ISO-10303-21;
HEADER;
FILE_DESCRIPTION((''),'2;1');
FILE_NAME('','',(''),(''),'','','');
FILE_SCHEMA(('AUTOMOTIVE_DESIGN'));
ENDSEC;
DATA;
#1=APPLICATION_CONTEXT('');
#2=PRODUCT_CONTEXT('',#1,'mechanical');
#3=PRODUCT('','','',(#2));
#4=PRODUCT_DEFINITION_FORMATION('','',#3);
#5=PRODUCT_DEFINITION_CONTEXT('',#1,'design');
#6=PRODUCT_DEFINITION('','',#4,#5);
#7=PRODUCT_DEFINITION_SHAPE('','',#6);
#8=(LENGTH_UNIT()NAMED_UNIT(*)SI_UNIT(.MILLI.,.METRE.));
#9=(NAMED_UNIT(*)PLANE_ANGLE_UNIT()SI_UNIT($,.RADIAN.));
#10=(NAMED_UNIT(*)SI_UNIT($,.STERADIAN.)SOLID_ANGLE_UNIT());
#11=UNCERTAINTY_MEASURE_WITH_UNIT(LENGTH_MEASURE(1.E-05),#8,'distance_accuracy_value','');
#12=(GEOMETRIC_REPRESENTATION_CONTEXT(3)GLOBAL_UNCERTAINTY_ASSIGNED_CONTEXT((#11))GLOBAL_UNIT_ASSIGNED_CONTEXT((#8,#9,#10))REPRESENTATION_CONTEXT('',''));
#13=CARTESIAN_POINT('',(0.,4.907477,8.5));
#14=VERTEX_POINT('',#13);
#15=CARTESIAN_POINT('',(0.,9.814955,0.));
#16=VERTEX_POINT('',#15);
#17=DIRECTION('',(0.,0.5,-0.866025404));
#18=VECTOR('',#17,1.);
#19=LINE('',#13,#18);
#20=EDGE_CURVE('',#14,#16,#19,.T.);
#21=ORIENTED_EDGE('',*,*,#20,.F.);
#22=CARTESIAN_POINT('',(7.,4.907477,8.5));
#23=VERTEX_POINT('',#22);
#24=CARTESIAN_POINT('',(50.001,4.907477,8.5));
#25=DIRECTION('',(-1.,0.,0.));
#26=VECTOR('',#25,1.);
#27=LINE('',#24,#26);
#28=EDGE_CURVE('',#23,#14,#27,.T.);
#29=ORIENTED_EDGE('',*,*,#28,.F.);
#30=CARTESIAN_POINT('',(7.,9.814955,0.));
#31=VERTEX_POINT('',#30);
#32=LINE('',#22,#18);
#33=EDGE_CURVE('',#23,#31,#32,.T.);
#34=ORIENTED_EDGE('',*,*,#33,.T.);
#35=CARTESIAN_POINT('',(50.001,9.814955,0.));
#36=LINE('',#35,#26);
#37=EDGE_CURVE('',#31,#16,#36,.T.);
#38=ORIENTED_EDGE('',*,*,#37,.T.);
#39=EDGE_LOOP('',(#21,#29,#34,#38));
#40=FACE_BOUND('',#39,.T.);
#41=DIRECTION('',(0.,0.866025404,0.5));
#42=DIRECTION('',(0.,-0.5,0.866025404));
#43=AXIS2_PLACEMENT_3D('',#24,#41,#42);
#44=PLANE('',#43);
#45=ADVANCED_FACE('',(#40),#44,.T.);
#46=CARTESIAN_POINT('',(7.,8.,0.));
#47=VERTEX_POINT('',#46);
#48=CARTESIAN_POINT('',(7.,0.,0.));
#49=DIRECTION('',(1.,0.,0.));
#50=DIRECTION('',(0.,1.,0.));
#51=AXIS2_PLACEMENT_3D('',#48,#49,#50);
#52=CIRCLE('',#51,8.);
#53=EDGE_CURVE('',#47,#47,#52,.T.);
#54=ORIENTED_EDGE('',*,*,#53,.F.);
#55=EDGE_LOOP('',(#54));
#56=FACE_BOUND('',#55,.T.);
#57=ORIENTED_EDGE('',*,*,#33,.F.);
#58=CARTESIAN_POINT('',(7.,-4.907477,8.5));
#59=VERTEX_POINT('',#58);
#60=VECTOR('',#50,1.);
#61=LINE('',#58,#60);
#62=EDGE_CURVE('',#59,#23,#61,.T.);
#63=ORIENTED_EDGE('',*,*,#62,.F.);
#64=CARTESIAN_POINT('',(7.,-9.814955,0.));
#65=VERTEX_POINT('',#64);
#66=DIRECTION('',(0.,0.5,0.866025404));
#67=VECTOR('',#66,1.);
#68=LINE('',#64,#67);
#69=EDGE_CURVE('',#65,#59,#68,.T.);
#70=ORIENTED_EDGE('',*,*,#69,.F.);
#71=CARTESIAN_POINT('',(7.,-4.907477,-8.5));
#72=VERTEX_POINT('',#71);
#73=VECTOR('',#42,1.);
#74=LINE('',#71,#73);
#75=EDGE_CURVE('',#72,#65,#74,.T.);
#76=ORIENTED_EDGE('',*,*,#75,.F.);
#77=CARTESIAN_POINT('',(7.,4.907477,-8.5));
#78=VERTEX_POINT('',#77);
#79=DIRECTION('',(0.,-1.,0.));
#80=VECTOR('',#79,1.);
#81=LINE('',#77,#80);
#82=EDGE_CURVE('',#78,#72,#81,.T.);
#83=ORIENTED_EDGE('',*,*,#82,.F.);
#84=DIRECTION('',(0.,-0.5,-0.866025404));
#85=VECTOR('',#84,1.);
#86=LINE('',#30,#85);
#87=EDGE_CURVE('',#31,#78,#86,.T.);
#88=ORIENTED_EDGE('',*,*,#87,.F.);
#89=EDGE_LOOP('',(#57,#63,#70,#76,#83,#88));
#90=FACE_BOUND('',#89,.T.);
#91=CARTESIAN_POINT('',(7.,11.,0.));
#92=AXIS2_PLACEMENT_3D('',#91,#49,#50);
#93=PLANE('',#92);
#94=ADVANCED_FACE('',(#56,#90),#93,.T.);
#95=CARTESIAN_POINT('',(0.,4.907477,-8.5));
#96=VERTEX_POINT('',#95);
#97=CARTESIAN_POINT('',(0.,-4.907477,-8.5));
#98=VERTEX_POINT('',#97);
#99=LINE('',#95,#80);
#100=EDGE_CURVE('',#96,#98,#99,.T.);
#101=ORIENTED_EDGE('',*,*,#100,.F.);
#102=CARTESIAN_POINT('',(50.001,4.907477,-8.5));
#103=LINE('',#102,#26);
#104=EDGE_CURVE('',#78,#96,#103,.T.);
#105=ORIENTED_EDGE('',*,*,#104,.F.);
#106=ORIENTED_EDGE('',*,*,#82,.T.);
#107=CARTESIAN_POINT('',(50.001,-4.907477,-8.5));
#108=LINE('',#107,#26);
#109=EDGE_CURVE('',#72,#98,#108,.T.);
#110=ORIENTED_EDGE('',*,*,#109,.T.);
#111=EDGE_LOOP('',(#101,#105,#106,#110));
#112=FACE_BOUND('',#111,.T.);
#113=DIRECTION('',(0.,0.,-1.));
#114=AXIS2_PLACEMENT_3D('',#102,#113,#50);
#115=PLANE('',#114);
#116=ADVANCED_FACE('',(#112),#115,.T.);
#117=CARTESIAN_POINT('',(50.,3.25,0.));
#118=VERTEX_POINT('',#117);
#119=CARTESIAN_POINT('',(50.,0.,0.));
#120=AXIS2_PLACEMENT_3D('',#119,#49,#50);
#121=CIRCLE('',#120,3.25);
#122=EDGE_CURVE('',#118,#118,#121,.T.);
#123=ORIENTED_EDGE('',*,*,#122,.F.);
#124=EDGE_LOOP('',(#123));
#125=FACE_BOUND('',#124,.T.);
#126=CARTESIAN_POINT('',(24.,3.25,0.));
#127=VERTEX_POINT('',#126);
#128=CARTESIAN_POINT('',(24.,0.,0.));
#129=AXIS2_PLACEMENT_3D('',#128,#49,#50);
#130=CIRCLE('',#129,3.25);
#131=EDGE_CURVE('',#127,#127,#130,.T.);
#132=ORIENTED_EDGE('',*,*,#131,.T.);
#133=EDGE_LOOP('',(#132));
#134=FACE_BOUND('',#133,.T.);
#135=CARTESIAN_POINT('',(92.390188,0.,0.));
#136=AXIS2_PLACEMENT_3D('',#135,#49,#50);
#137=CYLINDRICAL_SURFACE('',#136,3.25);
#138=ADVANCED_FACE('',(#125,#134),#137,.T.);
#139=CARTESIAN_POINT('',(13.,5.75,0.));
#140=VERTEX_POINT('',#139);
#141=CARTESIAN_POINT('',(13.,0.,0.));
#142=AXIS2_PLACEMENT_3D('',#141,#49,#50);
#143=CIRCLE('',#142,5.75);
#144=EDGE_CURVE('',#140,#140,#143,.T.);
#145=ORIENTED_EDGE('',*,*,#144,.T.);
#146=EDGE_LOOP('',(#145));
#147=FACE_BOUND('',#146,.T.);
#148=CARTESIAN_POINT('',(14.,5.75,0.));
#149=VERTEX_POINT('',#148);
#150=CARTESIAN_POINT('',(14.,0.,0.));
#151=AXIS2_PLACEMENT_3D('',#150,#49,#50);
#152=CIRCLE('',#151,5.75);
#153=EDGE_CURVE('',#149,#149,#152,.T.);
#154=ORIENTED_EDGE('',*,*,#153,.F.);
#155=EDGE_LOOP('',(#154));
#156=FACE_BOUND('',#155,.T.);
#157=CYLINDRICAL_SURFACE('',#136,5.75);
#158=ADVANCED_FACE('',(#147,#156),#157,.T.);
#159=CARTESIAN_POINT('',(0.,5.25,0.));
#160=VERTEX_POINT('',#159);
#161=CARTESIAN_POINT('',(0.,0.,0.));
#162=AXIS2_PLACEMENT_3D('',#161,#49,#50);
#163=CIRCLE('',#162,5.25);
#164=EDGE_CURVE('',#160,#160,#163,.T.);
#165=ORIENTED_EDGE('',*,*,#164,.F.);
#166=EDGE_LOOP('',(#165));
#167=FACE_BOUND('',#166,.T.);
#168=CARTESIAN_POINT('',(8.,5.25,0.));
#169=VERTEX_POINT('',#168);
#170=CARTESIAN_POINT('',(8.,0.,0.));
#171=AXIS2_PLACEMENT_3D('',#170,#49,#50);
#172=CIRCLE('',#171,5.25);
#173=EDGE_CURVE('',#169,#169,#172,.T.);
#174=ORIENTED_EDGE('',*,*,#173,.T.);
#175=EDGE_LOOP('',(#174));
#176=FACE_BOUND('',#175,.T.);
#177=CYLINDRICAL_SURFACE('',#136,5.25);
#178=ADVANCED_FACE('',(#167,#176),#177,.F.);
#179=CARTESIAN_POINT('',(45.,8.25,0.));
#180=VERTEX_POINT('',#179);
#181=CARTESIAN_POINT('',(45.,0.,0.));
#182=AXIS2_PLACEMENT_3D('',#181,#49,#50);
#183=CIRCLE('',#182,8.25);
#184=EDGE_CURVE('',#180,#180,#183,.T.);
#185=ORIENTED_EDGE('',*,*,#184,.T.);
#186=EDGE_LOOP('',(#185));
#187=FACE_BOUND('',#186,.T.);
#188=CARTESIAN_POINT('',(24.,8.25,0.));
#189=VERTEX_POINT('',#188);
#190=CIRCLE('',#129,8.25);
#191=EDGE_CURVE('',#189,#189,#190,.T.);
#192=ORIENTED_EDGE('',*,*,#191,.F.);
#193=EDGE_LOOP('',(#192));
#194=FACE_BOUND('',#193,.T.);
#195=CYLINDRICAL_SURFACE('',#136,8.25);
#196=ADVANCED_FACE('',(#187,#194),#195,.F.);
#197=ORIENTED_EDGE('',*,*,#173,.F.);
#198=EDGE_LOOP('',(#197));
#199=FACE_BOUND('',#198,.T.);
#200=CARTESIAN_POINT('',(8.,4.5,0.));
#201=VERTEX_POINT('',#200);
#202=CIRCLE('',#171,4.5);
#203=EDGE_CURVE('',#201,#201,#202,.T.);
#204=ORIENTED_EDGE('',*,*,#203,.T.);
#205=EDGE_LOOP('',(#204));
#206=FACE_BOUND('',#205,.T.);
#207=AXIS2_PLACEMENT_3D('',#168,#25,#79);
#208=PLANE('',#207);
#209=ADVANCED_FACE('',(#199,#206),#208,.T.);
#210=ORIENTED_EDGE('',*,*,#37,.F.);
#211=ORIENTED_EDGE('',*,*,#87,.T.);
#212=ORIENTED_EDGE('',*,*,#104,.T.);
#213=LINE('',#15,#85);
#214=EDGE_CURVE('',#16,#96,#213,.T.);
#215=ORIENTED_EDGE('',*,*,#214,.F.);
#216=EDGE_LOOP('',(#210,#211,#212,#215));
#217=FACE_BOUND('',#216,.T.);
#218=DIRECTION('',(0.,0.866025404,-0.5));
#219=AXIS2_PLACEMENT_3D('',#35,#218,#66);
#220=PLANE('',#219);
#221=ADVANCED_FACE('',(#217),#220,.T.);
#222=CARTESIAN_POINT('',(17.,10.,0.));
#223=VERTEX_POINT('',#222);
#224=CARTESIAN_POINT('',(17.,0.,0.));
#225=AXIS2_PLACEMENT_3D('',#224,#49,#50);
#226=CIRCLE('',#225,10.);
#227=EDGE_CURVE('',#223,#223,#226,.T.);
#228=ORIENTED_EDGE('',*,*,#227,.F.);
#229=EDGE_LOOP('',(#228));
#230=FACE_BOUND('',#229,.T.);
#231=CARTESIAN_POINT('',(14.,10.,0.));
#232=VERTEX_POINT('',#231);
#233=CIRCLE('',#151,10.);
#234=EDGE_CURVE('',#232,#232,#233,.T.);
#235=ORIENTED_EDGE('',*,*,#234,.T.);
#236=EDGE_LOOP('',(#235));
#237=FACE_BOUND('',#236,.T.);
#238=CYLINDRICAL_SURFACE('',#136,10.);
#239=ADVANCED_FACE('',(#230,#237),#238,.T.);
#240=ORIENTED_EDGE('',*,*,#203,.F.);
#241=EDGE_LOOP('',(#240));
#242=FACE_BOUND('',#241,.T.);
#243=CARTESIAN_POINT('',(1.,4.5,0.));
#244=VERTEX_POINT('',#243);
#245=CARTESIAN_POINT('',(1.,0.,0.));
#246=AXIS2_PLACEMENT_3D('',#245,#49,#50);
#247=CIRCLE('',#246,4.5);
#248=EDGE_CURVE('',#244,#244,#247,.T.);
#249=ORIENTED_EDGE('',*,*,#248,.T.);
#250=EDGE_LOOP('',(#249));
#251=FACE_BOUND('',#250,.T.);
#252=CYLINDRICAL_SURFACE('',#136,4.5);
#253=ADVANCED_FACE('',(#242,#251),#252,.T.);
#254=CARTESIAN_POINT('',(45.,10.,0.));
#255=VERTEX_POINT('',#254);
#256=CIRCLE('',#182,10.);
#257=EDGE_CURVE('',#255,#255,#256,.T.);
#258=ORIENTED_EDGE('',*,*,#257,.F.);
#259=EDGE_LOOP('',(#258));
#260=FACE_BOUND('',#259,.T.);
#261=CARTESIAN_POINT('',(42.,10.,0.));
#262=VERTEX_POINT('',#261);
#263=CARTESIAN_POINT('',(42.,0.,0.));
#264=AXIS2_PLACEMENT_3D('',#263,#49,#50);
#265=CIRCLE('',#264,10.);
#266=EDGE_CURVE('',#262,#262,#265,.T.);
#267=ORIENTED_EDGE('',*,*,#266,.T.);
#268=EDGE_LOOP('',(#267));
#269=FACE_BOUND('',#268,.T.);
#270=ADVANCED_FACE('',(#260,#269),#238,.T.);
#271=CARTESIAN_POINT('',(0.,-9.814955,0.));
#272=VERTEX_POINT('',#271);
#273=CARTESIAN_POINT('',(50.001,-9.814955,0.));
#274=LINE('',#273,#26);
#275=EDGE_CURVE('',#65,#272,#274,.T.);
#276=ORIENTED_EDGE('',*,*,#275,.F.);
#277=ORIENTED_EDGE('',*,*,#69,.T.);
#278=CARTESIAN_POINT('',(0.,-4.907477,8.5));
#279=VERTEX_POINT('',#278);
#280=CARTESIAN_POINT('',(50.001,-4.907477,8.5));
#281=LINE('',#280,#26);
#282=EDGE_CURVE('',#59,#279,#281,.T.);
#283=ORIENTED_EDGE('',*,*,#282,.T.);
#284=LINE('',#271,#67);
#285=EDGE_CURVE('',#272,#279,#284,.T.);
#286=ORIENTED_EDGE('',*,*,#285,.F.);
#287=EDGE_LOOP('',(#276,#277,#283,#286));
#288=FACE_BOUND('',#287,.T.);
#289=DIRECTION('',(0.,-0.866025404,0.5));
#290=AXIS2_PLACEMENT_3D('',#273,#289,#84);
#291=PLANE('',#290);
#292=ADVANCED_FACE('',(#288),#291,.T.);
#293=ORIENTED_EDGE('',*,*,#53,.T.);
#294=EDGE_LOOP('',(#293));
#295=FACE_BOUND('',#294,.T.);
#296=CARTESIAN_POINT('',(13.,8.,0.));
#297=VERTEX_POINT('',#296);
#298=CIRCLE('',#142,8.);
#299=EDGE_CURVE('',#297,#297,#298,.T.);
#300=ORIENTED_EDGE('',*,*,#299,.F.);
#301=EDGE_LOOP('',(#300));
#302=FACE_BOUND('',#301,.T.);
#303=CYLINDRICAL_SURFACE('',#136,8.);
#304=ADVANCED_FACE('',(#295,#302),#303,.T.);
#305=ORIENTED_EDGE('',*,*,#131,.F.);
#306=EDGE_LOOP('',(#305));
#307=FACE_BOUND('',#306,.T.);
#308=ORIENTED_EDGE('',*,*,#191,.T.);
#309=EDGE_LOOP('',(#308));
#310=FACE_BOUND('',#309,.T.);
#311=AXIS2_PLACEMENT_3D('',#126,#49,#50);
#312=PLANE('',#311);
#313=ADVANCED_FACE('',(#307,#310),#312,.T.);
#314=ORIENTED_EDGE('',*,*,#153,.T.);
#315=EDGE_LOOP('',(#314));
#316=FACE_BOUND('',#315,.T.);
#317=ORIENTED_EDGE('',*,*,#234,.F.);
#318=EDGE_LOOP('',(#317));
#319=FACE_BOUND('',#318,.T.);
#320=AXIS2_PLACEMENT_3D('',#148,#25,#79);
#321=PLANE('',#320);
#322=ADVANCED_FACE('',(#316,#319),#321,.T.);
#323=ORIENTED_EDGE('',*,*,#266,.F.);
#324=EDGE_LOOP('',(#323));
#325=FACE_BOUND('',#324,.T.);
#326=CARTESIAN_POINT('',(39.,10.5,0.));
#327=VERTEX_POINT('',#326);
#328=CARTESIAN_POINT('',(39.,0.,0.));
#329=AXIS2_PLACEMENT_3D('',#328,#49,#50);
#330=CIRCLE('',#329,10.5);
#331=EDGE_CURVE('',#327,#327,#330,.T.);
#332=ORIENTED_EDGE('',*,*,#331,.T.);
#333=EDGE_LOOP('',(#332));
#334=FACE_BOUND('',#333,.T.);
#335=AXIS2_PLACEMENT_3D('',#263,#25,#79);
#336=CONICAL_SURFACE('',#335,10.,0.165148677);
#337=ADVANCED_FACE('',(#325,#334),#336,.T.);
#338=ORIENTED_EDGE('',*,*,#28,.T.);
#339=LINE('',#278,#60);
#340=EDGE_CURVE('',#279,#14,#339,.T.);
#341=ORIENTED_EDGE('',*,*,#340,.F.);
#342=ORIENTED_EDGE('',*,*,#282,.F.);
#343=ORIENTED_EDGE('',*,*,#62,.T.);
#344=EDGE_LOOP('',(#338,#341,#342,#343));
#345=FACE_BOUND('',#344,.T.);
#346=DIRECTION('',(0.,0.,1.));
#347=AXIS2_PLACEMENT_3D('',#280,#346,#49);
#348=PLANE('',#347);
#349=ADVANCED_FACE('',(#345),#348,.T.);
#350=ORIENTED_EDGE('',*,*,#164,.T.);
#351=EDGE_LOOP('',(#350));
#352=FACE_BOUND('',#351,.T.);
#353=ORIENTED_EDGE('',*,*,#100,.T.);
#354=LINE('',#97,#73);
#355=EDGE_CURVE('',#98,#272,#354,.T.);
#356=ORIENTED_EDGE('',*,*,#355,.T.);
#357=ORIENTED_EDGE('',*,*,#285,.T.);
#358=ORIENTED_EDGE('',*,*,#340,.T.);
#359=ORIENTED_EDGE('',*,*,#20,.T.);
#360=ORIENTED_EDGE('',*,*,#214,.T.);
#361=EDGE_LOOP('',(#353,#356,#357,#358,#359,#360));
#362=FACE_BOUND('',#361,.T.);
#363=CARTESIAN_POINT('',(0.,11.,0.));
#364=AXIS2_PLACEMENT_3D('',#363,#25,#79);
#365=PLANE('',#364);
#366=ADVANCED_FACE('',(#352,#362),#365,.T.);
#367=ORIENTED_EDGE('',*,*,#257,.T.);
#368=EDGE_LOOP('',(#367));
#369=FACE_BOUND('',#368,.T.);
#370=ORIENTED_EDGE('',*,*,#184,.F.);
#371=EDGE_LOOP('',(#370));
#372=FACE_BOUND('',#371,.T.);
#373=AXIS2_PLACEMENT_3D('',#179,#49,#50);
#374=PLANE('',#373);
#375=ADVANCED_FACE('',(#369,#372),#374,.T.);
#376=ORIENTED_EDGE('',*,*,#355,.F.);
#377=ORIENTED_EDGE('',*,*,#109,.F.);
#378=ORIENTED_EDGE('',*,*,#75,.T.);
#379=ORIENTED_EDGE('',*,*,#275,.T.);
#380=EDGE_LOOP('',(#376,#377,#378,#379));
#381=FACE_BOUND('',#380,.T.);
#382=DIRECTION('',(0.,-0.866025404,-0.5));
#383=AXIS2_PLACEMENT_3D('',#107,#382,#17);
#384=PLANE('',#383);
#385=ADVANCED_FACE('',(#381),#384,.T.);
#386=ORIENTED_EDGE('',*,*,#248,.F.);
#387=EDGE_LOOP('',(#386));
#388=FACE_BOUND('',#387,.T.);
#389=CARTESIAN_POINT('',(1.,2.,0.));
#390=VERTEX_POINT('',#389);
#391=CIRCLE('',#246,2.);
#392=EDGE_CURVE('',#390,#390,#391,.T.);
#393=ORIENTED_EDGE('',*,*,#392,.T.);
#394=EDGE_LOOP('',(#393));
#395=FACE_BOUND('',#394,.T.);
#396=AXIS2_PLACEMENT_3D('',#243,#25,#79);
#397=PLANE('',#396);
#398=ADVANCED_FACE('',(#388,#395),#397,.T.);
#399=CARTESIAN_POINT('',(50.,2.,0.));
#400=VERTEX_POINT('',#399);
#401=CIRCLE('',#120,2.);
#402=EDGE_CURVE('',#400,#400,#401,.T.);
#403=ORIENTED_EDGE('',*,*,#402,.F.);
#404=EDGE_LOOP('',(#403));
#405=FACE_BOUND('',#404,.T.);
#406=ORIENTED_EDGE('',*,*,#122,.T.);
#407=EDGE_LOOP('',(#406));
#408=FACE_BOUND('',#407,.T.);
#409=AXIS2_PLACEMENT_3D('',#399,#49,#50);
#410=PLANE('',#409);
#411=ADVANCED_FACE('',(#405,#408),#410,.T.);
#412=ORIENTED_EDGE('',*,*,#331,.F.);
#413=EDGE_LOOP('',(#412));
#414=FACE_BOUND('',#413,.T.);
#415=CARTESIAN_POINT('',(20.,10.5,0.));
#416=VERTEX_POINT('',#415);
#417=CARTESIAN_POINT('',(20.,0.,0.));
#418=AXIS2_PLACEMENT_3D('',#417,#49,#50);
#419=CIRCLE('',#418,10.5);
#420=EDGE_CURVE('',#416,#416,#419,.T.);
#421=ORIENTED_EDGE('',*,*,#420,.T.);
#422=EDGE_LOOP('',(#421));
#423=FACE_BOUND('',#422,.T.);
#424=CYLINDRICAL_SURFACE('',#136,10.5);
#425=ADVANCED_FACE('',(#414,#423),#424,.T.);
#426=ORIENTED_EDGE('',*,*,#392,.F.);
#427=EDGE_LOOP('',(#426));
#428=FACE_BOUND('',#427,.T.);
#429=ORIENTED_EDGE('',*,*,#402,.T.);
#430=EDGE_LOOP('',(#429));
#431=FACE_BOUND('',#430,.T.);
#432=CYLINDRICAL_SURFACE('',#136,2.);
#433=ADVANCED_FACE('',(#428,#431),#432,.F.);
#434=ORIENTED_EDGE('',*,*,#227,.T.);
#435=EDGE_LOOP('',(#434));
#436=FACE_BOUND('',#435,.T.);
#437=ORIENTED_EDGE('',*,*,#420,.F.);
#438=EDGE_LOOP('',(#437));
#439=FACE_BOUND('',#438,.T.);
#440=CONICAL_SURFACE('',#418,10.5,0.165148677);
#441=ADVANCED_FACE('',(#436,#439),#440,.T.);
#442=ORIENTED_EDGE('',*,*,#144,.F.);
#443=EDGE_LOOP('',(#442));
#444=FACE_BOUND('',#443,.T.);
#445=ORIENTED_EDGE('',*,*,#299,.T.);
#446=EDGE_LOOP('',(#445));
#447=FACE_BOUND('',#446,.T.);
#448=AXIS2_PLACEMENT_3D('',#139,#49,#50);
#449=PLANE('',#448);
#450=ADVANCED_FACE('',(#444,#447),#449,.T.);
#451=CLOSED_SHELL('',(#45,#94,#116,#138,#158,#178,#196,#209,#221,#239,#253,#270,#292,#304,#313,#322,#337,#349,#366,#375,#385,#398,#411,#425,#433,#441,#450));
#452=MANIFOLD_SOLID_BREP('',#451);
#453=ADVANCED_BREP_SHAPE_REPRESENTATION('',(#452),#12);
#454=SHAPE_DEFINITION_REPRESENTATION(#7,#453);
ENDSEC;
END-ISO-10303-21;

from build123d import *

# Parameters (mm, degrees)
SCHNITT_LINEAR_AUSTRAGEN1_REACH = 54.364
SKIZZE2_R                       = 11


with BuildPart() as part:
    # Skizze1 → Rotation3 (revolve)
    with BuildSketch(Plane.XY):
        Polygon((1, 2), (50, 2), (50, 3.25), (24, 3.25), (24, 8.25), (45, 8.25), (45, 10), (42, 10), (39, 10.5), (20, 10.5), (17, 10), (14, 10), (14, 5.75), (13, 5.75), (13, 8), (7, 8), (7, 11), (0, 11), (0, 5.25), (8, 5.25), (8, 4.5), (1, 4.5), align=None)
    revolve(axis=Axis((92.390187717, 0, 0), (-1, 0, 0)))

    # Skizze2 → Schnitt-Linear austragen1 (cut, up to next)
    with BuildSketch(Plane.ZY, mode=Mode.PRIVATE) as schnitt_linear_austragen1_sk1:
        Circle(SKIZZE2_R)
        Polygon((-8.5, -4.907477288), (0, -9.814954576), (8.5, -4.907477288), (8.5, 4.907477288), (0, 9.814954576), (-8.5, 4.907477288), align=None, mode=Mode.SUBTRACT)
    schnitt_linear_austragen1_tool1 = extrude(schnitt_linear_austragen1_sk1.sketch, amount=-SCHNITT_LINEAR_AUSTRAGEN1_REACH, mode=Mode.PRIVATE) & part.part
    add(schnitt_linear_austragen1_tool1.solids().sort_by_distance((0, 0, -10.688873))[0], mode=Mode.SUBTRACT)


solid = part.part
